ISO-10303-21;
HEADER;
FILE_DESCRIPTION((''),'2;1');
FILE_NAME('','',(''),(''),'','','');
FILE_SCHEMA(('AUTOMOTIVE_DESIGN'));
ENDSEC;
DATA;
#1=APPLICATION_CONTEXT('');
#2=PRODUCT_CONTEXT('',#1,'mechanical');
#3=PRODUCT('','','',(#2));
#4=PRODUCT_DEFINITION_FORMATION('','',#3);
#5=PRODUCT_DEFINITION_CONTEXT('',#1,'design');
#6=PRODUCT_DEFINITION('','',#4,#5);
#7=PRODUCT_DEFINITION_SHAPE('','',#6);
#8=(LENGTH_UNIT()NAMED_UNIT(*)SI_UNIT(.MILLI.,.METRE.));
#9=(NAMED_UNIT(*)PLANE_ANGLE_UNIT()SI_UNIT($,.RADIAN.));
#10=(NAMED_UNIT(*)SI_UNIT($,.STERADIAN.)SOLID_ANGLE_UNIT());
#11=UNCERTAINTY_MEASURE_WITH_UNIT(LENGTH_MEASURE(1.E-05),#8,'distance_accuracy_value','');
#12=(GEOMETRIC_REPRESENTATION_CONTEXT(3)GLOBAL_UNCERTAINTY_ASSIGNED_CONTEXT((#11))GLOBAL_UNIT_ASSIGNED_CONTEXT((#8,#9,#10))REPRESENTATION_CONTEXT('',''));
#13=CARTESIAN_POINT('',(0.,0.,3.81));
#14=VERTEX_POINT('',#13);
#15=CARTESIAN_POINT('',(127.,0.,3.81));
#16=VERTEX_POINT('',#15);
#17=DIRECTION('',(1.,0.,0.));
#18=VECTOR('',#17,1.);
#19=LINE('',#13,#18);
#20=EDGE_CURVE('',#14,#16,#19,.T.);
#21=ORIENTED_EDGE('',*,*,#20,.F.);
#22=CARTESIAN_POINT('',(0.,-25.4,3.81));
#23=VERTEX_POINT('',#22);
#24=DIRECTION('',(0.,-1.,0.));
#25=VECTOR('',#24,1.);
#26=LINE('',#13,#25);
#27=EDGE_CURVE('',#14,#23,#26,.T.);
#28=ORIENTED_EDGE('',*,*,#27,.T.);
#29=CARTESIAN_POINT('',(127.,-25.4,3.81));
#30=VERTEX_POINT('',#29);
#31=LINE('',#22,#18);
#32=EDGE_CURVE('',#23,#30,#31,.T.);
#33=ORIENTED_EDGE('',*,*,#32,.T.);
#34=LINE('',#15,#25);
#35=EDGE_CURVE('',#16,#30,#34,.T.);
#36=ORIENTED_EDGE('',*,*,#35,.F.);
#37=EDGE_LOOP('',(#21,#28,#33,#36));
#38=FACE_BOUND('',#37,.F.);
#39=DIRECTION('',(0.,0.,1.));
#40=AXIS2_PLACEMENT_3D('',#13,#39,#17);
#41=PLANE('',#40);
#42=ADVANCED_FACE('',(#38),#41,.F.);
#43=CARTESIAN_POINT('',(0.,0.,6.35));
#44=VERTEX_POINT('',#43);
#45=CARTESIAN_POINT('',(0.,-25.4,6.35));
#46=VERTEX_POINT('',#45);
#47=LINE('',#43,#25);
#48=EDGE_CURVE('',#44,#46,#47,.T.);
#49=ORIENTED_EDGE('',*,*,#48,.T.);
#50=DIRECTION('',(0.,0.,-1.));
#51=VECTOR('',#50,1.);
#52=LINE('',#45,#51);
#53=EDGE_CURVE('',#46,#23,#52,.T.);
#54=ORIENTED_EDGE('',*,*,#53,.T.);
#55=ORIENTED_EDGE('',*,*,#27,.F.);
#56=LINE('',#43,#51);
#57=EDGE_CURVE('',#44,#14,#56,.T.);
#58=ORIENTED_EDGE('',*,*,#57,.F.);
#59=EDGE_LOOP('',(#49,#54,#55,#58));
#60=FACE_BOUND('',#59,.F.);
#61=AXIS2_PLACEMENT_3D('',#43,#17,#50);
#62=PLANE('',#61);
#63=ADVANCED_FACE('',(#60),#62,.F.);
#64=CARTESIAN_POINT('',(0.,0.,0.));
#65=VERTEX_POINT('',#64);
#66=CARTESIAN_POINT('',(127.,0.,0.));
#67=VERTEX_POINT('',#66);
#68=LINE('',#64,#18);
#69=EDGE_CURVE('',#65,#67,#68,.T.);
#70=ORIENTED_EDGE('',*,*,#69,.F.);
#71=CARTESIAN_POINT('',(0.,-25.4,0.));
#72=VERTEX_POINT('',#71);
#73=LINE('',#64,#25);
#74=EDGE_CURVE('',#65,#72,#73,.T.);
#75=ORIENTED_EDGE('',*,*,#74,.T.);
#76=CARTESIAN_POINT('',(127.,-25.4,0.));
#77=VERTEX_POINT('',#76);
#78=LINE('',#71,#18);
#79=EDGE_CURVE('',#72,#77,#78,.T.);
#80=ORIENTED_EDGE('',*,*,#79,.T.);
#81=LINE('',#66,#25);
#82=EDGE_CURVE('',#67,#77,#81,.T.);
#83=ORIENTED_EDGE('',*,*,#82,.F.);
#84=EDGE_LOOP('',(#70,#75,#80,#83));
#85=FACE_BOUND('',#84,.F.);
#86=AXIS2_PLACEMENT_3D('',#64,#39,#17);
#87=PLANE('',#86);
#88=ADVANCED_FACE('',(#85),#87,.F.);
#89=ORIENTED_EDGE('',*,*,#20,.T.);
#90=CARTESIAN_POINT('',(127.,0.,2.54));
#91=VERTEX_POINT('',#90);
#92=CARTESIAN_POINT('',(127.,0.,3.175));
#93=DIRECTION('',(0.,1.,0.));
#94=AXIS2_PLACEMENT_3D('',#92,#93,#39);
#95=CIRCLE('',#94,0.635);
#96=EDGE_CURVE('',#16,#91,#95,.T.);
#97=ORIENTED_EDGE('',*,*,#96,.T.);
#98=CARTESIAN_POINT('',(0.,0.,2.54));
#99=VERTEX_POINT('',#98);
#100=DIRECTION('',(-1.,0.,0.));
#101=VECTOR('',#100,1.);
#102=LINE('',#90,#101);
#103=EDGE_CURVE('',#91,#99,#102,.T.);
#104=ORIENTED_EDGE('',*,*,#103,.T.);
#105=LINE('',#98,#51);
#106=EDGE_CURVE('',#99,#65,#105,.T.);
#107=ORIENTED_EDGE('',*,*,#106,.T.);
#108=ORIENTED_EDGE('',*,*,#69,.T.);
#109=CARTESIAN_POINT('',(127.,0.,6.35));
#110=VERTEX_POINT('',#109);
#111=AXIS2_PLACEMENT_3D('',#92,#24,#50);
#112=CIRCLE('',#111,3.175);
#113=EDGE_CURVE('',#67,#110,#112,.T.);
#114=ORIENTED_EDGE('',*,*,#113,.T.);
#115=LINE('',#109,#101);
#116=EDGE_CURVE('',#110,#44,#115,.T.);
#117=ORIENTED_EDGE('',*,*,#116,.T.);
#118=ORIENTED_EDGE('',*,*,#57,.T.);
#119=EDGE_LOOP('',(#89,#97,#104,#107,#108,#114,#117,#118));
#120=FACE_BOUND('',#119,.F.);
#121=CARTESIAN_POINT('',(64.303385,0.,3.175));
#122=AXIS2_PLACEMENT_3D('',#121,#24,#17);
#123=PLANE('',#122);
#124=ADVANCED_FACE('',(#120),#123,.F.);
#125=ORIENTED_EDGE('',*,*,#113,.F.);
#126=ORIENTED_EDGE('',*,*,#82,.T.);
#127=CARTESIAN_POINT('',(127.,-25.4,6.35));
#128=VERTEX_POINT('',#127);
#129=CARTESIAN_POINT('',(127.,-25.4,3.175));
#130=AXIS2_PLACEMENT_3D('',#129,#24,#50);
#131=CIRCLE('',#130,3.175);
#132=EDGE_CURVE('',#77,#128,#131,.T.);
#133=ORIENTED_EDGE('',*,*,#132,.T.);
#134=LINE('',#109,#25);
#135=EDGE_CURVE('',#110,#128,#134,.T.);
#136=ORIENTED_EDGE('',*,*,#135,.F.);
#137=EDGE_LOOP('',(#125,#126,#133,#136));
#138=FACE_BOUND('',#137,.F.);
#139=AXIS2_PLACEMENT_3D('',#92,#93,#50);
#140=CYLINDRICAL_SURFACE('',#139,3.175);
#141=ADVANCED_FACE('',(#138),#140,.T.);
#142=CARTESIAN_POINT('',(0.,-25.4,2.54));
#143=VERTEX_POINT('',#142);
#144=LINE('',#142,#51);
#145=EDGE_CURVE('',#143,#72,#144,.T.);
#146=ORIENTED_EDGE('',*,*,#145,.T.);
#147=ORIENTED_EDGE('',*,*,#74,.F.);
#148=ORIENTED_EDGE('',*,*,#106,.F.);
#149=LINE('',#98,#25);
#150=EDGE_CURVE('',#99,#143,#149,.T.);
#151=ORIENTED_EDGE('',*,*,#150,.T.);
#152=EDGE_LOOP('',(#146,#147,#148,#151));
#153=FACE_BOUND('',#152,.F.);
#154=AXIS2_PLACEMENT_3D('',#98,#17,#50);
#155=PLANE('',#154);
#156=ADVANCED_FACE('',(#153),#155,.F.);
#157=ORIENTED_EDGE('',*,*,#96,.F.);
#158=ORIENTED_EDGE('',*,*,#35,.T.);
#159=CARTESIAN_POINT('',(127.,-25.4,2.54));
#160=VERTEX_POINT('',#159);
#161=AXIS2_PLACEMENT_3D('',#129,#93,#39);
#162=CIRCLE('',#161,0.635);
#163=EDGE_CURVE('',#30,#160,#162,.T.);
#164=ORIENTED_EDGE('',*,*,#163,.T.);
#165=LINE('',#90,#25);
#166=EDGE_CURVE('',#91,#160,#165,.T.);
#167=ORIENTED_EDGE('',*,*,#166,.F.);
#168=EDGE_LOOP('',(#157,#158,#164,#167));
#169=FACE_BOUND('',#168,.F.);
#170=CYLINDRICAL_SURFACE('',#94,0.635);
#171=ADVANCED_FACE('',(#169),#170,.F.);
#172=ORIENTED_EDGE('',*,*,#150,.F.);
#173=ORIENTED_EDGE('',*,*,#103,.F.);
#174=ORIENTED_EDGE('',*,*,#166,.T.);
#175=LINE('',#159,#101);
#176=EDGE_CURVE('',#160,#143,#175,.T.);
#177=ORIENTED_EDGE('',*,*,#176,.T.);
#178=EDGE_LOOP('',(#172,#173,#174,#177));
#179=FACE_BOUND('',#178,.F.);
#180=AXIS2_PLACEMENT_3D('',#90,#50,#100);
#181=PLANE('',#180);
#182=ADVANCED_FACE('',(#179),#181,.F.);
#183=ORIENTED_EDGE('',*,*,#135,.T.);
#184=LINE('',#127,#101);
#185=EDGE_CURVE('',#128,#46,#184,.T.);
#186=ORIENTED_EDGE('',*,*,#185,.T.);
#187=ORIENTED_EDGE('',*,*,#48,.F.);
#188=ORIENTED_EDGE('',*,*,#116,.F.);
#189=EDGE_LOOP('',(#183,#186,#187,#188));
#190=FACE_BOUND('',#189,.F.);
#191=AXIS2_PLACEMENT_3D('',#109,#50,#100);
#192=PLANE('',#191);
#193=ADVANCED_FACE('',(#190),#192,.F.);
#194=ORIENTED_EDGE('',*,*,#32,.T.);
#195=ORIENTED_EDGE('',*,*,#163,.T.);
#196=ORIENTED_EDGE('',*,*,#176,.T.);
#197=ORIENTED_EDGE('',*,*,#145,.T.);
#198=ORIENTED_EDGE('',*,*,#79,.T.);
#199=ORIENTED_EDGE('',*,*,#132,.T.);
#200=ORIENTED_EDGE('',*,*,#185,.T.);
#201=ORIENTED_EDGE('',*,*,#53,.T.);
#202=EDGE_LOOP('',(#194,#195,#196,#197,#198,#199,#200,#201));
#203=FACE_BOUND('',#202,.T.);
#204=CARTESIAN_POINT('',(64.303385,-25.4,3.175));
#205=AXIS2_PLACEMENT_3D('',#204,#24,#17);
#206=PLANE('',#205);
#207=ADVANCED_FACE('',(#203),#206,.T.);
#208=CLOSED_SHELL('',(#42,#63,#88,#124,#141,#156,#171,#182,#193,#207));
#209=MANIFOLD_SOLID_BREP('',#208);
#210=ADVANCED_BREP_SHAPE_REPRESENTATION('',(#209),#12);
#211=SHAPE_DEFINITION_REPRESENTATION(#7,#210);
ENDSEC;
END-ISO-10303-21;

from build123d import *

# Parameters (mm, degrees)
F1_DEPTH = 25.4


with BuildPart() as f1:
    # F0 (on Front) → F1 (new body)
    with BuildSketch(Plane.XZ):
        with BuildLine():
            Line((0, 2.54), (0, 0))
            Line((0, 0), (127, 0))
            ThreePointArc((127, 0), (130.175, 3.175), (127, 6.35))
            Line((127, 6.35), (0, 6.35))
            Line((0, 6.35), (0, 3.81))
            Line((0, 3.81), (127, 3.81))
            ThreePointArc((127, 3.81), (127.635, 3.175), (127, 2.54))
            Line((127, 2.54), (0, 2.54))
        make_face()
    extrude(amount=F1_DEPTH)


solid = f1.part
